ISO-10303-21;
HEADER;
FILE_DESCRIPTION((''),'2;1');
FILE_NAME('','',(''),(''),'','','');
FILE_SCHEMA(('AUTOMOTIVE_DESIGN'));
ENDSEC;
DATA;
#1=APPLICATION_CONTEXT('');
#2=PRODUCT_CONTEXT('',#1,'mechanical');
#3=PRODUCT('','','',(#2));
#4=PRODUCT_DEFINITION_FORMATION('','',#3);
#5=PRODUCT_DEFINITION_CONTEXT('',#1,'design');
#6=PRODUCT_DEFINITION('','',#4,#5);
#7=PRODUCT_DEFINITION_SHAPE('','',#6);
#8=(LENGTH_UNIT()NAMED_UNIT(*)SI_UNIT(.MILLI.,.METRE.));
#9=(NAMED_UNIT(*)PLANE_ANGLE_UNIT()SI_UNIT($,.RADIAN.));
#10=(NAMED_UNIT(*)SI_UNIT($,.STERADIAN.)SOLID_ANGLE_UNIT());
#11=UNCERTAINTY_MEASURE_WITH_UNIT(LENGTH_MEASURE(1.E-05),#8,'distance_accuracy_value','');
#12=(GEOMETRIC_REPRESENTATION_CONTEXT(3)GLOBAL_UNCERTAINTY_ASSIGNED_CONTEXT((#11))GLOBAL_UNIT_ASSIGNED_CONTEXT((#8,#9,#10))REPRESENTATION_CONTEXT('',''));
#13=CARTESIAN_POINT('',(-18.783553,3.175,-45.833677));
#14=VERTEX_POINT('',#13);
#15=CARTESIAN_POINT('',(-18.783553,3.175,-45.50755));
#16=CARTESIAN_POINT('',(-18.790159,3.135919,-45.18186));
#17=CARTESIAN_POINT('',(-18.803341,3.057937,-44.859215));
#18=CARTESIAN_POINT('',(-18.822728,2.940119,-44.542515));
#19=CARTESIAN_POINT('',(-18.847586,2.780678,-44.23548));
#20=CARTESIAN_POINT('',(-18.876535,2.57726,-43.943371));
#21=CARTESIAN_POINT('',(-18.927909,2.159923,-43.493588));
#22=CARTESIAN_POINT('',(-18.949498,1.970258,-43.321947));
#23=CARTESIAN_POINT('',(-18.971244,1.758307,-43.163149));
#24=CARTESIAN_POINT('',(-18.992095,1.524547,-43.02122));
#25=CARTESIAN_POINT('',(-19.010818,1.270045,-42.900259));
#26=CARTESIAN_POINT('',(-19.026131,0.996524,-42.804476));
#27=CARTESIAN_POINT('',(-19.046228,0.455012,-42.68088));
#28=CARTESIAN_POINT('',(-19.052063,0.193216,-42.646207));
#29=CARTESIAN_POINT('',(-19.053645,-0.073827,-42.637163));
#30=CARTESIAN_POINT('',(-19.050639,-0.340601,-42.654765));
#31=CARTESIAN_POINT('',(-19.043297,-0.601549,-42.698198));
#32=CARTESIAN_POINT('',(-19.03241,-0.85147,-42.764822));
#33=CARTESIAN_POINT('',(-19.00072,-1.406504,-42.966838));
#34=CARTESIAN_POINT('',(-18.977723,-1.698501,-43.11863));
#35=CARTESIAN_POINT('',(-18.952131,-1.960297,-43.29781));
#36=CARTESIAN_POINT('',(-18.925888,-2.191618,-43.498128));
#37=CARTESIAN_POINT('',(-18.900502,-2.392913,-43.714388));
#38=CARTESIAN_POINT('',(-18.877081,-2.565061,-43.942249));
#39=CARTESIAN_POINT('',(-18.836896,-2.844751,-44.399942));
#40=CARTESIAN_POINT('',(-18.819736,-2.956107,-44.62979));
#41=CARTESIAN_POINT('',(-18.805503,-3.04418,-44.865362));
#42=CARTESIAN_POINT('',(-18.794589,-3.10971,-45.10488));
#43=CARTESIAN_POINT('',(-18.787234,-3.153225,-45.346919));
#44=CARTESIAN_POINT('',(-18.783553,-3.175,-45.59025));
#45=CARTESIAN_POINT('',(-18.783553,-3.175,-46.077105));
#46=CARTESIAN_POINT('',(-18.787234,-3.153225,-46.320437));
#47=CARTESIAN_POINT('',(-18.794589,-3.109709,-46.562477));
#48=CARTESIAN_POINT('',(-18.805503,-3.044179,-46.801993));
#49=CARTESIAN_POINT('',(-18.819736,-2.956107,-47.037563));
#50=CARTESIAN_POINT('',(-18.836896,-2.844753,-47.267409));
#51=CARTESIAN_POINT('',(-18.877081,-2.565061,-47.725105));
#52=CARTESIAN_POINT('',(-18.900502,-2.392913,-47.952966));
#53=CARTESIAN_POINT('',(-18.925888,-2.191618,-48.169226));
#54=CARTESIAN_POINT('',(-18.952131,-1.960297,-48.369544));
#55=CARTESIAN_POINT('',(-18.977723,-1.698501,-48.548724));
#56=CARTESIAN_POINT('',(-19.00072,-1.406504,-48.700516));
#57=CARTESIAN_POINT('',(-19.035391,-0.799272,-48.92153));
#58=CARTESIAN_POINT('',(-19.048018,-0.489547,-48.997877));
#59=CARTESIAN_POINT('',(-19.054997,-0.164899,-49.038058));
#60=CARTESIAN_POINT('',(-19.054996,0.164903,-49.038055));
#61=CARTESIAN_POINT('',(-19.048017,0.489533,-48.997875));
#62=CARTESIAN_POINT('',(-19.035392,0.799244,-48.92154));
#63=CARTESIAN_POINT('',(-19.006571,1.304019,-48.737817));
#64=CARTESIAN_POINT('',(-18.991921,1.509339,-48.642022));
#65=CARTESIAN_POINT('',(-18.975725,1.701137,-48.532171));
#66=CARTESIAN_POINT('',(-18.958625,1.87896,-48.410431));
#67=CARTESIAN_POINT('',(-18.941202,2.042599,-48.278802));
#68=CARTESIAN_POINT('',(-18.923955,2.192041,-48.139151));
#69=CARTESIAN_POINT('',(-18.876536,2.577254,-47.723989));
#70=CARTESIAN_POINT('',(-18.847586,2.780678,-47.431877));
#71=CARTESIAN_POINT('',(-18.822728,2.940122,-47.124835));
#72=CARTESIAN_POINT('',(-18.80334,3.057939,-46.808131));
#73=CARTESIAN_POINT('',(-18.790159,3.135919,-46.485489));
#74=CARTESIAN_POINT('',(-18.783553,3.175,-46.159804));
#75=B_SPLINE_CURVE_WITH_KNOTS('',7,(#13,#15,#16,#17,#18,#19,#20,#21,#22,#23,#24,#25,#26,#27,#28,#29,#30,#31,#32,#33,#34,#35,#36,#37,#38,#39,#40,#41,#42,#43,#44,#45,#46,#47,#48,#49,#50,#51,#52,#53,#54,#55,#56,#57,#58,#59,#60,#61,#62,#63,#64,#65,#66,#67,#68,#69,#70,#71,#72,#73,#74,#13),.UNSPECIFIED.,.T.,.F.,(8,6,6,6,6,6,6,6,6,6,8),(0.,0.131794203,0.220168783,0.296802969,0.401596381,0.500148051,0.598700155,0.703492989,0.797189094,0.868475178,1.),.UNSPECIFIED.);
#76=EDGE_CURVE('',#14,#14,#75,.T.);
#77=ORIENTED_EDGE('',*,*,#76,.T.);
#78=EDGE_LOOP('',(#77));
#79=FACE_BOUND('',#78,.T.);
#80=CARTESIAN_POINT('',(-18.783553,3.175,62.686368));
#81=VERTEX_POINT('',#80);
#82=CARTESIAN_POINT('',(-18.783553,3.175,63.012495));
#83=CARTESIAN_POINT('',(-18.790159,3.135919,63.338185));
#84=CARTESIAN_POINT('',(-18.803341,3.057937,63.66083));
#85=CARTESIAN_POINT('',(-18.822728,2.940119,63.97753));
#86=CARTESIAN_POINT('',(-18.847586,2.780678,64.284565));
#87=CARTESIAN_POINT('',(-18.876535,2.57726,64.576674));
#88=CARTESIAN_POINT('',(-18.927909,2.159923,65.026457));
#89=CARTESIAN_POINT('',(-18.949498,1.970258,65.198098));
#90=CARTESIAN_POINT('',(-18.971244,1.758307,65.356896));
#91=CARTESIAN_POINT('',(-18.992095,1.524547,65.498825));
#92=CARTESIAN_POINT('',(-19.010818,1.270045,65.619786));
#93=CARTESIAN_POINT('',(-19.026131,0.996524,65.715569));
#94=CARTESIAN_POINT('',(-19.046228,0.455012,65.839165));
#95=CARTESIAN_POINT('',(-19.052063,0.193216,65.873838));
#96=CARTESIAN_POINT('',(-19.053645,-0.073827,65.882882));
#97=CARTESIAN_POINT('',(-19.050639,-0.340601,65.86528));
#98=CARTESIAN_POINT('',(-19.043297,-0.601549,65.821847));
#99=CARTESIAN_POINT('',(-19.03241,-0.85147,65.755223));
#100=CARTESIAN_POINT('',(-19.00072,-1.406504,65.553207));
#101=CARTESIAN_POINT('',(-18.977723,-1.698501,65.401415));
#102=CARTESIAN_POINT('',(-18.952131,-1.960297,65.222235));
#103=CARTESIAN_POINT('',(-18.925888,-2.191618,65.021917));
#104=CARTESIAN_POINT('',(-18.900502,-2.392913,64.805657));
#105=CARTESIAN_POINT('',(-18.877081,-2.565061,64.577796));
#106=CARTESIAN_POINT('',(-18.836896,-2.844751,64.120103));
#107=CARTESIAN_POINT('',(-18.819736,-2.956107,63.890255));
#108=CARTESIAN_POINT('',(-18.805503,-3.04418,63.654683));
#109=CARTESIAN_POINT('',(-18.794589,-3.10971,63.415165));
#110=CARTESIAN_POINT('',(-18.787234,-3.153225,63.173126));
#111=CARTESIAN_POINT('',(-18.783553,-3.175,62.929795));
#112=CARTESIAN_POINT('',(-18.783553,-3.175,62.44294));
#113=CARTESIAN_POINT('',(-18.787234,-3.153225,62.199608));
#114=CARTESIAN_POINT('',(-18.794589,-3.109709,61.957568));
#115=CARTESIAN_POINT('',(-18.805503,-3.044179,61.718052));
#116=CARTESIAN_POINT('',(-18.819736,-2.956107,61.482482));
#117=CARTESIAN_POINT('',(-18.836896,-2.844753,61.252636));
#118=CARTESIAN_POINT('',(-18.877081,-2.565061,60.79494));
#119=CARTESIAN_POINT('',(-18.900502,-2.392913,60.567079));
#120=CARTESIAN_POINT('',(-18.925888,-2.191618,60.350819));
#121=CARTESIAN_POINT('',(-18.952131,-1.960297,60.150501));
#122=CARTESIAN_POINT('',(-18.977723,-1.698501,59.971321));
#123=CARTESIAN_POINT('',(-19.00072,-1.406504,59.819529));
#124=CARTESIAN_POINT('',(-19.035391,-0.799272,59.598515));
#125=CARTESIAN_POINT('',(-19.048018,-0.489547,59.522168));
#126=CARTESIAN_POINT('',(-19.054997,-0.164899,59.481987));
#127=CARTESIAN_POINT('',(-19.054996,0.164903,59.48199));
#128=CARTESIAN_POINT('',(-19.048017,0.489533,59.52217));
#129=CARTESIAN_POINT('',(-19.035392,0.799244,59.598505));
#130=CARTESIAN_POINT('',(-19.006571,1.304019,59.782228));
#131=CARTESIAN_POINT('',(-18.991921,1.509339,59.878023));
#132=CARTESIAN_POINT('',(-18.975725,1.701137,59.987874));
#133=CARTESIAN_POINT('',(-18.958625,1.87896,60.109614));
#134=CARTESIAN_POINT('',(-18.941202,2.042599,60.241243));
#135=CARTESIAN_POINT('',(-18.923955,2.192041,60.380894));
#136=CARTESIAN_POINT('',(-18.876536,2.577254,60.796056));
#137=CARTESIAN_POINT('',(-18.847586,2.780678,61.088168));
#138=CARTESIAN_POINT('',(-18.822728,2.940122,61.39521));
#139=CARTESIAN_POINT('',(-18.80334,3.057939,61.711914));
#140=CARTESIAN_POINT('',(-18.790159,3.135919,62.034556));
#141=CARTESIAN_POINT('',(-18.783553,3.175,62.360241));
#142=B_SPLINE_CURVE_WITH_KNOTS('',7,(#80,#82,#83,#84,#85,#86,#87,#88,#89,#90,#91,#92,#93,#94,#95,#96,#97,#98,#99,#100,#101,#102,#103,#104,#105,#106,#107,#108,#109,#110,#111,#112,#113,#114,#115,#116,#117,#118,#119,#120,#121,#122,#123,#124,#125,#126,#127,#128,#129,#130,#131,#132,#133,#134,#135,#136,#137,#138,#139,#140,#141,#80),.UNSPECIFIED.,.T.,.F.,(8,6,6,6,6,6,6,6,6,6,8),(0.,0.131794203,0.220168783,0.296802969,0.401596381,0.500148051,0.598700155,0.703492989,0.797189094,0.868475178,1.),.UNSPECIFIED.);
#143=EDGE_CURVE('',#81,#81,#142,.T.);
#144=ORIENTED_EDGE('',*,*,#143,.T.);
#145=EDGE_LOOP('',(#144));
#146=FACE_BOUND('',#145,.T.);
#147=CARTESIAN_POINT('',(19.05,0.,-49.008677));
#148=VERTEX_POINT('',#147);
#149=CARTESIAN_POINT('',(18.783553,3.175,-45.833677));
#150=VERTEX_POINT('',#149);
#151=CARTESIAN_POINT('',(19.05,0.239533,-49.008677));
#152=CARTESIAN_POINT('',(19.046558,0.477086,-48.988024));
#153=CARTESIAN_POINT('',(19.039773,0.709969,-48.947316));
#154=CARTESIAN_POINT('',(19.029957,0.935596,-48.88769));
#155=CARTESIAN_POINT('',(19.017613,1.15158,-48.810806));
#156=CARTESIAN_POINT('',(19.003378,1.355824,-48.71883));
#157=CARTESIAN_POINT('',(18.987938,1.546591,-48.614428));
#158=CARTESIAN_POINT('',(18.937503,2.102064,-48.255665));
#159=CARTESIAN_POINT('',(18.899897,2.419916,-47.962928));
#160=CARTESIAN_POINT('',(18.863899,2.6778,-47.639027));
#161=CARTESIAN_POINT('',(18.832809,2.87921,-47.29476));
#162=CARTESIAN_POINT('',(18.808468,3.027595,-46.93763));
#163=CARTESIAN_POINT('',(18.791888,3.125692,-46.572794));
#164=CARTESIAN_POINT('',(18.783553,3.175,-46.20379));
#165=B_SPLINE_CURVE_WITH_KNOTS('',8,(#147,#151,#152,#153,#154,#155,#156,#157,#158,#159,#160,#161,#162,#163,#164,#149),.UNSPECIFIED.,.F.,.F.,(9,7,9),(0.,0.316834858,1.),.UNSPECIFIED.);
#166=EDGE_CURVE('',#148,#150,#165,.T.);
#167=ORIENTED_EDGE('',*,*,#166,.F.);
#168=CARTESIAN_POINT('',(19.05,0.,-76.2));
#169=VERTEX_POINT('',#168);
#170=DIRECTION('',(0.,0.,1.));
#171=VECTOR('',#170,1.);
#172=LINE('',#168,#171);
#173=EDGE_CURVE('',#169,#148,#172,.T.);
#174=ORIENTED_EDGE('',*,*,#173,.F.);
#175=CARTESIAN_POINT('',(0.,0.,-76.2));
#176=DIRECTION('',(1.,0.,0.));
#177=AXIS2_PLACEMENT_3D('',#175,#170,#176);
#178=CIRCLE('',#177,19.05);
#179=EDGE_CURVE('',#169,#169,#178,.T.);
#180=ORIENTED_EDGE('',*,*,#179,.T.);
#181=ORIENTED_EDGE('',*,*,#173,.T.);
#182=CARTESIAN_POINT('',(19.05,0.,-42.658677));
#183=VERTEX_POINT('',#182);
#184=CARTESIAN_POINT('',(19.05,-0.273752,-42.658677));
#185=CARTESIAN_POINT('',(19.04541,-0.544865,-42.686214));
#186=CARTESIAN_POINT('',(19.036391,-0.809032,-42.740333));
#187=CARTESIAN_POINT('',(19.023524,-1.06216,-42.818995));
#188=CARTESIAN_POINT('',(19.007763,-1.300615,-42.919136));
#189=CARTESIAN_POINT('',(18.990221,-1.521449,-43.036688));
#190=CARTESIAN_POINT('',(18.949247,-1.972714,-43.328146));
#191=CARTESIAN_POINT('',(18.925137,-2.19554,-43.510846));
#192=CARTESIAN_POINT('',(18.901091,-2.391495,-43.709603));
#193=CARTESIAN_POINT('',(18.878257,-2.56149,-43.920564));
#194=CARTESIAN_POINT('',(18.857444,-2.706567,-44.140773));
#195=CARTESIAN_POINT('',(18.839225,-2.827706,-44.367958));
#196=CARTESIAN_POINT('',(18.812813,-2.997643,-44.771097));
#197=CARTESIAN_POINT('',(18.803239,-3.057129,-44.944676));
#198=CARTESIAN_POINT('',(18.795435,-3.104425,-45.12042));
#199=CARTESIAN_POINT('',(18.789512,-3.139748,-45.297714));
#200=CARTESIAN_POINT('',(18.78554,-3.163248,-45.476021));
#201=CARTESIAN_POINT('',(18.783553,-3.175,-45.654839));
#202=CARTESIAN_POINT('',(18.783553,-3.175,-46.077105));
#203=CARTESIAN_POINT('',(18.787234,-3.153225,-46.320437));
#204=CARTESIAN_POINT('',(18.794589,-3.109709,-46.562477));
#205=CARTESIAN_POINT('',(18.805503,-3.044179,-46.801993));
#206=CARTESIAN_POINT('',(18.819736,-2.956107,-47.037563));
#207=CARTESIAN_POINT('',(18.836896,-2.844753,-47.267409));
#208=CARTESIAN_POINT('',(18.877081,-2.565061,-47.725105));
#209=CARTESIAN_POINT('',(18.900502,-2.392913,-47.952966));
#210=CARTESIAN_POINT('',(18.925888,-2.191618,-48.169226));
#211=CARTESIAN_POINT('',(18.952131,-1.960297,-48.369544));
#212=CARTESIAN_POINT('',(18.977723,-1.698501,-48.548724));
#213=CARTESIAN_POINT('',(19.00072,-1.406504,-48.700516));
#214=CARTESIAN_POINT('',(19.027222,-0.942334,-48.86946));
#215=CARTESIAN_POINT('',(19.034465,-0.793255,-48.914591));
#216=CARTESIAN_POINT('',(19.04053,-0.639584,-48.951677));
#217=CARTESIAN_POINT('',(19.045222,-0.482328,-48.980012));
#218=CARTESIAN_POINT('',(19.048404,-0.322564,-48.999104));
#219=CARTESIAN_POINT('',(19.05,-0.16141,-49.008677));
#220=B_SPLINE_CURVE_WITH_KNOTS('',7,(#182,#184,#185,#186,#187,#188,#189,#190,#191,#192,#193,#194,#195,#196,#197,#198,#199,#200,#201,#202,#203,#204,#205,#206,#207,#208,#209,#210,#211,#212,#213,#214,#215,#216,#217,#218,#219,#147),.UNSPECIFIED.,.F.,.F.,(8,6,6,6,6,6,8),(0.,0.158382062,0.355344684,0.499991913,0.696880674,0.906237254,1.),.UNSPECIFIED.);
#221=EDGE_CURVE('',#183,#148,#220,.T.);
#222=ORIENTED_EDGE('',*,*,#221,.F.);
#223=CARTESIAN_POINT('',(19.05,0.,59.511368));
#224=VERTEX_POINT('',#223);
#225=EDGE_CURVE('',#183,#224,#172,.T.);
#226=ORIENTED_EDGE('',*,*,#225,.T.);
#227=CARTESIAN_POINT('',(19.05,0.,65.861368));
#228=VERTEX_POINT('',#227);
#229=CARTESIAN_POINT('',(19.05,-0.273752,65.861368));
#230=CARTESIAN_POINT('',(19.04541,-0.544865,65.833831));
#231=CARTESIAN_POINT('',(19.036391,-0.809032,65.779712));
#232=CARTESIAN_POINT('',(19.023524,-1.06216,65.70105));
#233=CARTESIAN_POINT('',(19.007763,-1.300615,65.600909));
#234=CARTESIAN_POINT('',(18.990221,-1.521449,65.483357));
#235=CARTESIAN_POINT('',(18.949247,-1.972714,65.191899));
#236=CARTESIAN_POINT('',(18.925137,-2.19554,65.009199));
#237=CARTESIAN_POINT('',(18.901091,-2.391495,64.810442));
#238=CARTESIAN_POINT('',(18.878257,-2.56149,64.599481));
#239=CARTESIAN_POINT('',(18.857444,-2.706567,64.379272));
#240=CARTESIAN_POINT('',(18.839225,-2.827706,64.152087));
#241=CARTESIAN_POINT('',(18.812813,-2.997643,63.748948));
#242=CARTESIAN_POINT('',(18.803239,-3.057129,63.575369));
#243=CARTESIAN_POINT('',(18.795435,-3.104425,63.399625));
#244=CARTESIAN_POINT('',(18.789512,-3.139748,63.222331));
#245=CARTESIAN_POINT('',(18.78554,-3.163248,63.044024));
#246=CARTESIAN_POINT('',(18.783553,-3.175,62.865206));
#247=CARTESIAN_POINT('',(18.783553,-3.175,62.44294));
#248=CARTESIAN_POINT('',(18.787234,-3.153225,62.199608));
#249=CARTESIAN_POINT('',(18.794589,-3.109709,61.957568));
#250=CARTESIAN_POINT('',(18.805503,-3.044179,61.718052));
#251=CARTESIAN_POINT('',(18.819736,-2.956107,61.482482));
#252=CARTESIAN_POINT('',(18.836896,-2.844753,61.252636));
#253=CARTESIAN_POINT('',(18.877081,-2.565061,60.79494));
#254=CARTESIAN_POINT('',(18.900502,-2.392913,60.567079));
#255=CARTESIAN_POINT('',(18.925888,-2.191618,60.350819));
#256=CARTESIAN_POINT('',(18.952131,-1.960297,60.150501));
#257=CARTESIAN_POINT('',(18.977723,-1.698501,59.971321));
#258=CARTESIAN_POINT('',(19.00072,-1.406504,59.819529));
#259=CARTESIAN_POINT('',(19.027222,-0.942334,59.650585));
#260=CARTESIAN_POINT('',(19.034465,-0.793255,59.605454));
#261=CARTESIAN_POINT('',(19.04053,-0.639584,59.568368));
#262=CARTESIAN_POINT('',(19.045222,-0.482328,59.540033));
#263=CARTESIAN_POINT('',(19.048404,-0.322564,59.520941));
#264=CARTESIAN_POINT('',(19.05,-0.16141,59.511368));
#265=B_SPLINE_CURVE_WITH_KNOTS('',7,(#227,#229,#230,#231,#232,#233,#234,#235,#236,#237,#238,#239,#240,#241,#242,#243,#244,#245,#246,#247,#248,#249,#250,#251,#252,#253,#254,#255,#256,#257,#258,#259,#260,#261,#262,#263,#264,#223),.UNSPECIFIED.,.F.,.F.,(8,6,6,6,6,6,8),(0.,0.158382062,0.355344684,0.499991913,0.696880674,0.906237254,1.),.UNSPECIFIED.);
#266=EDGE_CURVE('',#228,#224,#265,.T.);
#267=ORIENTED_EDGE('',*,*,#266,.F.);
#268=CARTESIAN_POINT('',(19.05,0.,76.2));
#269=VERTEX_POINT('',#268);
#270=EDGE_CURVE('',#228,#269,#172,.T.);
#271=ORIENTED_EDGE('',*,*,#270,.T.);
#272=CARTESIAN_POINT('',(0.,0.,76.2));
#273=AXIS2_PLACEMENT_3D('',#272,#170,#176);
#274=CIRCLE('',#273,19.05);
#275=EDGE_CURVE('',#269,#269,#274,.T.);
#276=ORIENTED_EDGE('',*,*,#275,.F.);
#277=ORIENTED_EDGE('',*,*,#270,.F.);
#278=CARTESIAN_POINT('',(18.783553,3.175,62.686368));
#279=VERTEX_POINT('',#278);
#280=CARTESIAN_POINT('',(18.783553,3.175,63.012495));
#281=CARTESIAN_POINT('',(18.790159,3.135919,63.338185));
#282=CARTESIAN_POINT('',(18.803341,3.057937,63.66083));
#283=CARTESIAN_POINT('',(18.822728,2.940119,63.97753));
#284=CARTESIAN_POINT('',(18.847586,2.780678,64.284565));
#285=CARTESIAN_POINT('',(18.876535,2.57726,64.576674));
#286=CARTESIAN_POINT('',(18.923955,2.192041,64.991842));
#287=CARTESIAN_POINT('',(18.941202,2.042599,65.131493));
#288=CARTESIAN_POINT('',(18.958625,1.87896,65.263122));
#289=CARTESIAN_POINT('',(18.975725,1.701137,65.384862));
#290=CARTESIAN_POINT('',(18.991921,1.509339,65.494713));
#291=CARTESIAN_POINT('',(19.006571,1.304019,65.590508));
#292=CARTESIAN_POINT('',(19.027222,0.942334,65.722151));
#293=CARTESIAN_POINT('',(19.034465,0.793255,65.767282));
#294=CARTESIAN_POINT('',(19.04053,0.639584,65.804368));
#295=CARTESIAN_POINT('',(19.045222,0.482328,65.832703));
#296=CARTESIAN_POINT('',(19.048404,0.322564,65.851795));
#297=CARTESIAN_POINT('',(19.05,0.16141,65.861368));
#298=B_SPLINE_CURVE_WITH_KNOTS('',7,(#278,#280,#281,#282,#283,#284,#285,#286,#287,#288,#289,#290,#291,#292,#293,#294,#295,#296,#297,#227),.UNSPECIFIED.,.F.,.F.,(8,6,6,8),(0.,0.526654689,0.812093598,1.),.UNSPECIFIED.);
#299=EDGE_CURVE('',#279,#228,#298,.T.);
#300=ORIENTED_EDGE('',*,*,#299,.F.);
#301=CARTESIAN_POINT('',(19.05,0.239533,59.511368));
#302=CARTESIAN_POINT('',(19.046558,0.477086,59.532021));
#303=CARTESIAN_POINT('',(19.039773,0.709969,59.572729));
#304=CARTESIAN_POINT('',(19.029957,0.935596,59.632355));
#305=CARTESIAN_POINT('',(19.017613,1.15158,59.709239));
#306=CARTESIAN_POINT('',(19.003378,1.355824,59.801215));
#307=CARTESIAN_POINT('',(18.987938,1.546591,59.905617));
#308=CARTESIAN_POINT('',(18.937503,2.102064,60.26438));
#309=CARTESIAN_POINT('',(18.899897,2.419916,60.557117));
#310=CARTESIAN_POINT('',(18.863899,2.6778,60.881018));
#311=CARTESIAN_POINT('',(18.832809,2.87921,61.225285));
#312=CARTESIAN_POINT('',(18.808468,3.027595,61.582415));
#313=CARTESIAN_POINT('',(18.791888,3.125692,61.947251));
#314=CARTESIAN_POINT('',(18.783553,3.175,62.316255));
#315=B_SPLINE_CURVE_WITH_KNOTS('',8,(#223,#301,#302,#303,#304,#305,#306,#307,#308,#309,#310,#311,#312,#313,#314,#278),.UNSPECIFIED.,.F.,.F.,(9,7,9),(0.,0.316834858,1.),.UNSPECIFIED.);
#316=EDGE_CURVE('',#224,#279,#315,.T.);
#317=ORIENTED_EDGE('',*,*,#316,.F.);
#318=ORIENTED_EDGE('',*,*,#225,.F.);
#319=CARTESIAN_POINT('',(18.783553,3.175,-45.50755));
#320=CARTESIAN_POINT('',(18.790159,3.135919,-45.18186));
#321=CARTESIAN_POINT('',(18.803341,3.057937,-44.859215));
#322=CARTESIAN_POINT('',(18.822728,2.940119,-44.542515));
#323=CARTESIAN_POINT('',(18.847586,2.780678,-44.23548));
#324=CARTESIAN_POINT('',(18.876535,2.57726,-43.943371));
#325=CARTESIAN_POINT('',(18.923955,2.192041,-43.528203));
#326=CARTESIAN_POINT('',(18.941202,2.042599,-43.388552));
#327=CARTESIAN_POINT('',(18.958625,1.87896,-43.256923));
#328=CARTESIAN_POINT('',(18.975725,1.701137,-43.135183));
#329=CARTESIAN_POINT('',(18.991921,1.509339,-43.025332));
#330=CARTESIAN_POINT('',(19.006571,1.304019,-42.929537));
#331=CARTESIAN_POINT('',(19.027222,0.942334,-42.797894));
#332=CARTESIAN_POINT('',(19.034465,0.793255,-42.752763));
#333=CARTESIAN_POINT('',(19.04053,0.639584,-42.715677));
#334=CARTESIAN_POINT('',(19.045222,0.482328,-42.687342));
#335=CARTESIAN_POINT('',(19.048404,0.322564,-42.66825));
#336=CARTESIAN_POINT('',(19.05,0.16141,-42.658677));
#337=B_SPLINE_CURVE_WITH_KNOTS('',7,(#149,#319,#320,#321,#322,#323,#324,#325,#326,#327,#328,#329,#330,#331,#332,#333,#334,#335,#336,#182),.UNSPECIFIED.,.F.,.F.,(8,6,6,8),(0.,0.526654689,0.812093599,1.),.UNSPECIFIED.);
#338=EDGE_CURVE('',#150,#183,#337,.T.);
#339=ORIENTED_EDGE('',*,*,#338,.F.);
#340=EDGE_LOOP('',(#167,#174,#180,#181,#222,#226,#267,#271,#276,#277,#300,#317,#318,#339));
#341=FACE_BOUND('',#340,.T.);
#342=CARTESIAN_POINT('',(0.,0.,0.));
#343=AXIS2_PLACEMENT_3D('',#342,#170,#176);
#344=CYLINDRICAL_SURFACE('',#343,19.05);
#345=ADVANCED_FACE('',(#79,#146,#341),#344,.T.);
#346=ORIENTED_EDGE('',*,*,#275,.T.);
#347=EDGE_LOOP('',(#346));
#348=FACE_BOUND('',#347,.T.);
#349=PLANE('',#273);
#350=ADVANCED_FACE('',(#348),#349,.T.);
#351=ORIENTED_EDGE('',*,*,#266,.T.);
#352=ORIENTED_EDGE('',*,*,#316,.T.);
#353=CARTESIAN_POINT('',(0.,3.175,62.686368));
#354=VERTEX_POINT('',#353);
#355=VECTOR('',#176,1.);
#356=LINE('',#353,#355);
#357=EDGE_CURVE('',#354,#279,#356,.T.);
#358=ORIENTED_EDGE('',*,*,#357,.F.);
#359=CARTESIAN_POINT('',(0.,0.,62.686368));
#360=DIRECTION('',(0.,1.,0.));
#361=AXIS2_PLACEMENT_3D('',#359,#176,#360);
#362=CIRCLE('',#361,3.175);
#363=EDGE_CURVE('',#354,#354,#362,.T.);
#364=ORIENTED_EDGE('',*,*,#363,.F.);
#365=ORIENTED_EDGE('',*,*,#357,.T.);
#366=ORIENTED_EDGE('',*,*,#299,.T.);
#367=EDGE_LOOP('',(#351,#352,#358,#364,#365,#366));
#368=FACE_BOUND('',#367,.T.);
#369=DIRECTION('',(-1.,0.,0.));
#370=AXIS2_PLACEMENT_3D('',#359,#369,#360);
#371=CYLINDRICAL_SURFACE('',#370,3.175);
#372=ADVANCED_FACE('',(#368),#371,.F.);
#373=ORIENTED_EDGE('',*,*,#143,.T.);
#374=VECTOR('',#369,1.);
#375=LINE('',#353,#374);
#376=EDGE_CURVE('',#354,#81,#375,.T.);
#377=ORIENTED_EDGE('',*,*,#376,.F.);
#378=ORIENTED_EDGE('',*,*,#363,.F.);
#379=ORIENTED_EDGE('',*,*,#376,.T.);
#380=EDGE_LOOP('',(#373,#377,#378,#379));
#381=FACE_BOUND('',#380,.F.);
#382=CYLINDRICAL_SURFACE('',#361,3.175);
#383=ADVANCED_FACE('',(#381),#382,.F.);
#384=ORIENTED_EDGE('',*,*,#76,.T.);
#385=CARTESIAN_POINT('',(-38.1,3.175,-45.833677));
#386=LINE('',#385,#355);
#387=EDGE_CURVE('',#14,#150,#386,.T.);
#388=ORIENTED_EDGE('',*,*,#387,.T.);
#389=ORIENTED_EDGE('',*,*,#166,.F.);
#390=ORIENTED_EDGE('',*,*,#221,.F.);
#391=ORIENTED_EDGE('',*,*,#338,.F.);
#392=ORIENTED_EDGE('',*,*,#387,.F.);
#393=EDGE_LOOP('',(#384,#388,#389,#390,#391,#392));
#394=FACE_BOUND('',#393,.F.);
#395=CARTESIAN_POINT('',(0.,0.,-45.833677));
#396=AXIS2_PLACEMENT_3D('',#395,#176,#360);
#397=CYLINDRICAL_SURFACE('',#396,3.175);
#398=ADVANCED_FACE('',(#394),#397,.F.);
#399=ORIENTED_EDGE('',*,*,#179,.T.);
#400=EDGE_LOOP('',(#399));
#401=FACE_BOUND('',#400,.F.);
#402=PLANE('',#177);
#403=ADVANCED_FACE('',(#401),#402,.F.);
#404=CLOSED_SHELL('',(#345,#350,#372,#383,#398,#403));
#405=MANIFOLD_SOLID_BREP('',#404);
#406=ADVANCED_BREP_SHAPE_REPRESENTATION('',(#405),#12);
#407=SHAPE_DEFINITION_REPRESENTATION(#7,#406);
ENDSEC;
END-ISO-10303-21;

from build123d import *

# Parameters (mm, degrees)
F0_R     = 19.05
F1_DEPTH = 76.2
F2_R     = 3.175
F3_DEPTH = 38.1


with BuildPart() as f1:
    # F0 (on Top) → F1 (new body, symmetric)
    with BuildSketch(Plane.XY):
        Circle(F0_R)
    extrude(amount=F1_DEPTH, both=True)

    # F2 (on Right) → F3 (cut, symmetric)
    with BuildSketch(Plane.YZ):
        with Locations((0, 62.686368)):
            Circle(F2_R)
        with Locations((0, -45.833677)):
            Circle(F2_R)
    extrude(amount=F3_DEPTH, both=True, mode=Mode.SUBTRACT)


solid = f1.part
